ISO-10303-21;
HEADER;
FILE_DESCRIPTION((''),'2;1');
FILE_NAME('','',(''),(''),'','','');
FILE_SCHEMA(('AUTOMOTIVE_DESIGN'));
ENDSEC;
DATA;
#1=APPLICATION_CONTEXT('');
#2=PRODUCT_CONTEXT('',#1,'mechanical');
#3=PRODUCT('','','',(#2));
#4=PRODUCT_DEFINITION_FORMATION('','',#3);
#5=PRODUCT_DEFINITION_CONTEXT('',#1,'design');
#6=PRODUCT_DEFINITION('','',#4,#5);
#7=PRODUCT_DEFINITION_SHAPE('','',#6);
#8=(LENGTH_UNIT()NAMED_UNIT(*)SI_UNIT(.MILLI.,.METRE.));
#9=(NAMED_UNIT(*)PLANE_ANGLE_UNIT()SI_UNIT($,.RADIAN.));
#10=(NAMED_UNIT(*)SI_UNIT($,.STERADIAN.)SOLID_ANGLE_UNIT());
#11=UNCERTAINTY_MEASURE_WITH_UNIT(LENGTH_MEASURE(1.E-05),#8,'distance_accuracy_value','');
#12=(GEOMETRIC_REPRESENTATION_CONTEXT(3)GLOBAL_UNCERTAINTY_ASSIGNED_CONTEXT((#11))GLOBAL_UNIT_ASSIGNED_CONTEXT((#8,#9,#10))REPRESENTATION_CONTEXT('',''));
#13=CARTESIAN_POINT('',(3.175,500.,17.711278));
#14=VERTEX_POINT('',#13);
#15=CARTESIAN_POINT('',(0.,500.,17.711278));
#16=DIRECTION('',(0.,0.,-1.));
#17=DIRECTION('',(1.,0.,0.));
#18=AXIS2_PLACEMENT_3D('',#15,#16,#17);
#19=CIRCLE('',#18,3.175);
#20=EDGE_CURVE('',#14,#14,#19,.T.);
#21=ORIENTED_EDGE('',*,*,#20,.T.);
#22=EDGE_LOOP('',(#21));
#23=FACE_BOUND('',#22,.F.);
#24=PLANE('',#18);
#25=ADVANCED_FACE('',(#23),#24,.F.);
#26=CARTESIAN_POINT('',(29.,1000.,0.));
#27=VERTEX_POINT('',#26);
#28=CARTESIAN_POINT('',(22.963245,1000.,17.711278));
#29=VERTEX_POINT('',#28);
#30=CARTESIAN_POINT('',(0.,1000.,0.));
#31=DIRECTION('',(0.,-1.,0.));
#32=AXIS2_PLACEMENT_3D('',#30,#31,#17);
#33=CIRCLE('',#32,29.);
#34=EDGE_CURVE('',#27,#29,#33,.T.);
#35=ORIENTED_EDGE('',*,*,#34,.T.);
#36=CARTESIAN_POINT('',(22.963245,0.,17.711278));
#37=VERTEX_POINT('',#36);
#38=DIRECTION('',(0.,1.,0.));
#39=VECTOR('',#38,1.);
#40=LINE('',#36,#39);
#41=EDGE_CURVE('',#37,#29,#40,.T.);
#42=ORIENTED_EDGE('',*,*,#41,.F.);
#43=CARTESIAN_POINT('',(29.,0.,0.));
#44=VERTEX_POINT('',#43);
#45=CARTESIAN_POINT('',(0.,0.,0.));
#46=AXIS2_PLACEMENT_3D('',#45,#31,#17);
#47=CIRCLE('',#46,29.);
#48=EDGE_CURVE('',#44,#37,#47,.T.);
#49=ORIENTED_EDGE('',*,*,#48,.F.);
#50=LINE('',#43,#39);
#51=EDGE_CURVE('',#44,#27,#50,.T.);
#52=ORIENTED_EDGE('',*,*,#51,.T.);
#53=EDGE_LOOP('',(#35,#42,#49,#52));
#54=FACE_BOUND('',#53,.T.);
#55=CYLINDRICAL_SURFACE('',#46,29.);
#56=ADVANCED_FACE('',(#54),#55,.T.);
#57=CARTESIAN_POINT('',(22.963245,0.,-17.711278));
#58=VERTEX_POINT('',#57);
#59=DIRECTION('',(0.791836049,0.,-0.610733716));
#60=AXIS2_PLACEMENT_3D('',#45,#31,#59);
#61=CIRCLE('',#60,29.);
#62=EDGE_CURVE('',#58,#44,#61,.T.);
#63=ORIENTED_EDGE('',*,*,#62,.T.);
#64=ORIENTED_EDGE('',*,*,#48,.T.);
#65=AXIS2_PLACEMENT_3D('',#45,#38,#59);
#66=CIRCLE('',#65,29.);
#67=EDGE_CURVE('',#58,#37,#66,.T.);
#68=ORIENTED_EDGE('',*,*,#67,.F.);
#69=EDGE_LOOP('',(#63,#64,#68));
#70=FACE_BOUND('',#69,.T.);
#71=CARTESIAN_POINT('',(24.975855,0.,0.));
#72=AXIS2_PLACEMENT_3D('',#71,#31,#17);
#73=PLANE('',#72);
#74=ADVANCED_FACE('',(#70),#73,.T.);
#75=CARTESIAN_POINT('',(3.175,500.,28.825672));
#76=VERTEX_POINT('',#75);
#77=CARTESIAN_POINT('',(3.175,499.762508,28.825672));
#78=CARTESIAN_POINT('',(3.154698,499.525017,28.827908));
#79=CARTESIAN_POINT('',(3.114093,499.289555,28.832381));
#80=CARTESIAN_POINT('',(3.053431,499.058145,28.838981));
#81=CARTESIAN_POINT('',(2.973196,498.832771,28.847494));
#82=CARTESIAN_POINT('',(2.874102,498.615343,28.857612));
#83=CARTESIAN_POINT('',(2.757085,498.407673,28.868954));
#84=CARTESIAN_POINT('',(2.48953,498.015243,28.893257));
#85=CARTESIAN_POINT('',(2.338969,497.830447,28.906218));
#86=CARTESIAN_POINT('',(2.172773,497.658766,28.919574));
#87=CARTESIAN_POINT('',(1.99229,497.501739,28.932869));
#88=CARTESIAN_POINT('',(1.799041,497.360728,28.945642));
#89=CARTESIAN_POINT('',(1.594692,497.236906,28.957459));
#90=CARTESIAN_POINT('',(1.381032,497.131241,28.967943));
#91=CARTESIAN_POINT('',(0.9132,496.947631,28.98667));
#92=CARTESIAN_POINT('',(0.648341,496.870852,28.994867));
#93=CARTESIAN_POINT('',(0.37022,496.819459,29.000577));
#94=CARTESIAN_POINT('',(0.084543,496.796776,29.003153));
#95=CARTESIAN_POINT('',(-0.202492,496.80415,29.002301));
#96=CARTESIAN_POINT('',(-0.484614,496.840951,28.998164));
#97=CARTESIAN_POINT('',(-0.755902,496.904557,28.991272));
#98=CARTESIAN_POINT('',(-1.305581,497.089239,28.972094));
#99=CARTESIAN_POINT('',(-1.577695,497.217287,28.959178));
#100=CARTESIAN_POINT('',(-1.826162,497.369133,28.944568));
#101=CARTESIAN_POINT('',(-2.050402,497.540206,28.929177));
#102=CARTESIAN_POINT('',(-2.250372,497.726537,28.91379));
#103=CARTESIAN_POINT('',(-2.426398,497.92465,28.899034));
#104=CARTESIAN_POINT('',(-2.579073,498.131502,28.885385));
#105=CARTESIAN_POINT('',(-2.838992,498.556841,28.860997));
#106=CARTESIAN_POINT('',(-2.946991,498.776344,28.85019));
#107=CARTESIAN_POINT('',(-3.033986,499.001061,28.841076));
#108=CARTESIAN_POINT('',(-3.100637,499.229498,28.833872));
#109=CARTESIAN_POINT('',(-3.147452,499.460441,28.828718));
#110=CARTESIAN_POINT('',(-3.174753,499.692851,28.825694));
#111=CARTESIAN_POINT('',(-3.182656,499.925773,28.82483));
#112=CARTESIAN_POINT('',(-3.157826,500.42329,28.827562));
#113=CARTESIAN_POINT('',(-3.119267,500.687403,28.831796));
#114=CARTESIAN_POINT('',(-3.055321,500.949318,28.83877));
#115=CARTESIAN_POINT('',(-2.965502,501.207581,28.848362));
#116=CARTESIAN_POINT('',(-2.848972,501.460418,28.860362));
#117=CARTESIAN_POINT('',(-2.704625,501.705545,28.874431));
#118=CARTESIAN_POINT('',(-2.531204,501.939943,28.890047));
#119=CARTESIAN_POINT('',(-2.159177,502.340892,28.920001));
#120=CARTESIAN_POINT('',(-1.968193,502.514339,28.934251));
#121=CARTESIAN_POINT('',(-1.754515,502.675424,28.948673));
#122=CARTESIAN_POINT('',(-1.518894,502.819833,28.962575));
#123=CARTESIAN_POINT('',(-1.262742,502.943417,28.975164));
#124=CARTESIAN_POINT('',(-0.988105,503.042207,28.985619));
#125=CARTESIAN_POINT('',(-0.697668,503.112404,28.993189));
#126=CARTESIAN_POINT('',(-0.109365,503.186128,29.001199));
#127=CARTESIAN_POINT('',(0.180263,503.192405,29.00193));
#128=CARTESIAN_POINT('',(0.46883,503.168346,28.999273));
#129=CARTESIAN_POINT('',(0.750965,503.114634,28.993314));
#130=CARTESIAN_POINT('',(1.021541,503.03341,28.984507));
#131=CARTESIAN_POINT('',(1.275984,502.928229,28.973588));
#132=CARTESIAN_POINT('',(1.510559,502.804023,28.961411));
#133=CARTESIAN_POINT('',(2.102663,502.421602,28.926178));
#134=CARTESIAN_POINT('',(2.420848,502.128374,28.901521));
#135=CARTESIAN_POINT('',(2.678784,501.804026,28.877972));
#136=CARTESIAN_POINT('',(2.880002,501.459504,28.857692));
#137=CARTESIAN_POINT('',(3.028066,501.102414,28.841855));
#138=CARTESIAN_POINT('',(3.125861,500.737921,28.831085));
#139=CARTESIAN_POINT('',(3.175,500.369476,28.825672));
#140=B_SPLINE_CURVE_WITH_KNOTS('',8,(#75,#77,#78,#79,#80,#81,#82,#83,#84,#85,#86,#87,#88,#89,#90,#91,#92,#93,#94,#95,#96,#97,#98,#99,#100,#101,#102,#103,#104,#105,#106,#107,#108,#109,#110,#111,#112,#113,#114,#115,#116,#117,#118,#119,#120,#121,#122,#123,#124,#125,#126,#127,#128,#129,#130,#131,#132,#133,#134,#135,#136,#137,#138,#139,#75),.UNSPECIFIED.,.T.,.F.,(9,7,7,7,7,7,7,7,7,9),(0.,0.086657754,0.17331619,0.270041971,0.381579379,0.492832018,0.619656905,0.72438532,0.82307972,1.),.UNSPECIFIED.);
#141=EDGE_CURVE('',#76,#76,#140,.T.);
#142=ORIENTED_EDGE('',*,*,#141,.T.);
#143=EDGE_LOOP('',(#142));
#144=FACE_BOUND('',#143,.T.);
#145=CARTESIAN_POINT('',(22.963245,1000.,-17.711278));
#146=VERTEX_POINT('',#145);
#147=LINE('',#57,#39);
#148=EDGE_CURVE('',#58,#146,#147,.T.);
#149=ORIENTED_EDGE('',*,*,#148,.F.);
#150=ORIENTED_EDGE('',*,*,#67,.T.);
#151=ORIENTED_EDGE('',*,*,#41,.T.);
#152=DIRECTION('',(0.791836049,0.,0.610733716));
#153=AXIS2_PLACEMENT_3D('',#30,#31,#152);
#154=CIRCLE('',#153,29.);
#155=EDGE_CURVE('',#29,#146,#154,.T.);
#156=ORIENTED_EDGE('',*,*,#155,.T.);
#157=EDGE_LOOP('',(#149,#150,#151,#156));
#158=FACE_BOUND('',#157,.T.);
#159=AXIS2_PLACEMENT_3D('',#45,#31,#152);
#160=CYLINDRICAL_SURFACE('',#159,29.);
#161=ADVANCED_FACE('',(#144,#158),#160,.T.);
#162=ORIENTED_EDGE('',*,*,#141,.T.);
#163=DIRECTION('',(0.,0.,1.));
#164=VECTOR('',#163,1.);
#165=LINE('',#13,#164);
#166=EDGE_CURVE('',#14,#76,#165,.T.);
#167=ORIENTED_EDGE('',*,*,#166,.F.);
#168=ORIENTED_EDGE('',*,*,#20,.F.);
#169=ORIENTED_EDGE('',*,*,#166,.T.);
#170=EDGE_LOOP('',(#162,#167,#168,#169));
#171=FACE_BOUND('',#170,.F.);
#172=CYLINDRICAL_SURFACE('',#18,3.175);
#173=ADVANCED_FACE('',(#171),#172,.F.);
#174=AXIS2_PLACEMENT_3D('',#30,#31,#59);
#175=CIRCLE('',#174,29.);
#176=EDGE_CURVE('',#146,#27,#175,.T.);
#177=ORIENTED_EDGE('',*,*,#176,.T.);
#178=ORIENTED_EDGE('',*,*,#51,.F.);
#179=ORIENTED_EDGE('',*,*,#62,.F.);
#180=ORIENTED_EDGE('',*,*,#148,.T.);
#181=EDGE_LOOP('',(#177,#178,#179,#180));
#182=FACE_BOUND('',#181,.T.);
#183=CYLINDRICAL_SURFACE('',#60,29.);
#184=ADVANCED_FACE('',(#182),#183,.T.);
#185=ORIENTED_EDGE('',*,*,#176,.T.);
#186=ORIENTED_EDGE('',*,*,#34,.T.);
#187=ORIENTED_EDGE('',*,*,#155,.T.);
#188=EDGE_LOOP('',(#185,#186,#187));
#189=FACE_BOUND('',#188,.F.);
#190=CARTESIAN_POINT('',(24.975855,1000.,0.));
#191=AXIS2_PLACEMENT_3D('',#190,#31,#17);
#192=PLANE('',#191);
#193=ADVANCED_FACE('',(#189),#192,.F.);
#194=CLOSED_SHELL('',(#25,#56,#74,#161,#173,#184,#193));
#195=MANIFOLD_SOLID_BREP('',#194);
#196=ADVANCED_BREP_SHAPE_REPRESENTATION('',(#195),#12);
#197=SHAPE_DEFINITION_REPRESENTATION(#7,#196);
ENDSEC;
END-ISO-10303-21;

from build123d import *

# Parameters (mm, degrees)
F0_W     = 45.9264908458
F0_H     = 35.4225555062
F2_DEPTH = 1000
F4_DEPTH = 1000
F5_D     = 6.35
F5_DEPTH = 11.2897222469


with BuildPart() as f2:
    # F0 (on Front) → F2 (new body)
    with BuildSketch(Plane.XZ):
        Rectangle(F0_W, F0_H)
    extrude(amount=-F2_DEPTH)

    # F0 (on Front) → F4 (join)
    with BuildSketch(Plane.XZ):
        with BuildLine():
            ThreePointArc((22.9632454229, -17.7112777531), (27.4493544302, -9.3559040914), (29, 0))
            ThreePointArc((29, 0), (27.4493544302, 9.3559040914), (22.9632454229, 17.7112777531))
            Line((22.9632454229, 17.7112777531), (22.9632454229, -17.7112777531))
        make_face()
        with BuildLine():
            Line((-22.9632454229, 17.7112777531), (22.9632454229, 17.7112777531))
            ThreePointArc((22.9632454229, 17.7112777531), (0, 29), (-22.9632454229, 17.7112777531))
        make_face()
        Rectangle(F0_W, F0_H)
        with BuildLine():
            ThreePointArc((-22.9632454229, -17.7112777531), (0, -29), (22.9632454229, -17.7112777531))
            Line((22.9632454229, -17.7112777531), (-22.9632454229, -17.7112777531))
        make_face()
        with BuildLine():
            Line((-22.9632454229, -17.7112777531), (-22.9632454229, 17.7112777531))
            ThreePointArc((-22.9632454229, 17.7112777531), (-29, 0), (-22.9632454229, -17.7112777531))
        make_face()
    extrude(amount=-F4_DEPTH)

    # F5 (through all, one way)
    with BuildSketch(Plane(origin=(0, 0, 17.7112777531), x_dir=(1, 0, 0), z_dir=(0, 0, -1))):
        with Locations((0, -500)):
            Circle(F5_D / 2)
    extrude(amount=-F5_DEPTH, mode=Mode.SUBTRACT)


solid = f2.part
